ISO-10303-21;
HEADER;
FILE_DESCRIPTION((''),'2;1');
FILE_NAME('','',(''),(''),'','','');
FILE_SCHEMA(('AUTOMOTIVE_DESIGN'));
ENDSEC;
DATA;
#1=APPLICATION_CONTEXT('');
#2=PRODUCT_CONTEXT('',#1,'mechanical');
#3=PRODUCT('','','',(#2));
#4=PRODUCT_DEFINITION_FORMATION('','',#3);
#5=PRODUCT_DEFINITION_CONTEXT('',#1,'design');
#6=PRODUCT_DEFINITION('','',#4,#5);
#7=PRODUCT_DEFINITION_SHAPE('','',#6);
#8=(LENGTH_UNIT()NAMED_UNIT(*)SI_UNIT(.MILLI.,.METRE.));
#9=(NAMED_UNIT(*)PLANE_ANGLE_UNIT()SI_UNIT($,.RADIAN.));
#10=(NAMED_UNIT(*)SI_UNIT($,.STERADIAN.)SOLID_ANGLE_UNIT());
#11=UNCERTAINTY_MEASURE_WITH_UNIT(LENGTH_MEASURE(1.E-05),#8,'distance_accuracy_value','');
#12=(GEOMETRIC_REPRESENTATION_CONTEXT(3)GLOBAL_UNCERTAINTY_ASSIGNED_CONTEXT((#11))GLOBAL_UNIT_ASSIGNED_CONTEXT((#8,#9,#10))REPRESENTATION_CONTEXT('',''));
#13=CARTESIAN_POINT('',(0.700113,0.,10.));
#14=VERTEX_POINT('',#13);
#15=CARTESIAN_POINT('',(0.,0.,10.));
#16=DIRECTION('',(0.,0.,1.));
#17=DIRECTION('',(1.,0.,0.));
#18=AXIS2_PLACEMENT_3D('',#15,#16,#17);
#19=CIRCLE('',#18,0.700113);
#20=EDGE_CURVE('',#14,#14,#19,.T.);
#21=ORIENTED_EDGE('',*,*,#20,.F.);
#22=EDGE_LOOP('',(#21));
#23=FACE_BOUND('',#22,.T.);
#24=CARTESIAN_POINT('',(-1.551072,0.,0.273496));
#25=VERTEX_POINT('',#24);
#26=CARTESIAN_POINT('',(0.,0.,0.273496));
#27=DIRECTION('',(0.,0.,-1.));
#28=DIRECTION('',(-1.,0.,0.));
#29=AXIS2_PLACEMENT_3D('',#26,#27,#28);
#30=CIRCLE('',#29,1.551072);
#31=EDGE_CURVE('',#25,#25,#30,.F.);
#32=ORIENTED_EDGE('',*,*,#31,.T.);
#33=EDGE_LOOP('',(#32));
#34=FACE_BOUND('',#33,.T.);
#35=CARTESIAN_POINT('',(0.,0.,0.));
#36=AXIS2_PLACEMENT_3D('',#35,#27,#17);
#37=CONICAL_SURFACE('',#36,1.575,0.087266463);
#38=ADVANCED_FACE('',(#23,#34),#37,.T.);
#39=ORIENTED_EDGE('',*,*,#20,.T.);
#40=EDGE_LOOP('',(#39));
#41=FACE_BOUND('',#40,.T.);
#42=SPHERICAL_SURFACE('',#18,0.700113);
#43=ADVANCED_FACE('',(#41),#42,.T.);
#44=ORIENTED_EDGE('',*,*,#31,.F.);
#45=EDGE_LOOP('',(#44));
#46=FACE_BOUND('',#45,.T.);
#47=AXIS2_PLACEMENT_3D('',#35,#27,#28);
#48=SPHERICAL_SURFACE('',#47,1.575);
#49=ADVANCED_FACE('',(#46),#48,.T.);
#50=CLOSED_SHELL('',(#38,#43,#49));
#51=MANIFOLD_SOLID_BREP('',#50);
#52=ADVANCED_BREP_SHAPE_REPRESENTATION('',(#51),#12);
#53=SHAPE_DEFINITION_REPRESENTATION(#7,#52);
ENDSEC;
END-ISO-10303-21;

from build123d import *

# Parameters (mm, degrees)
SKETCH2_R           = 1.575
BOSS_EXTRUDE1_DEPTH = 10
BOSS_EXTRUDE1_TAPER = 5


with BuildPart() as part:
    # Sketch1 → Revolve1 (revolve)
    with BuildSketch(Plane.XY):
        with BuildLine():
            Line((0, 1.575), (0, -1.575))
            ThreePointArc((0, -1.575), (1.575, 0), (0, 1.575))
        make_face()
    revolve(axis=Axis((0, 1.575, 0), (0, -1, 0)))

    # Sketch2 → Boss-Extrude1 (add)
    with BuildSketch(Plane.XY):
        Circle(SKETCH2_R)
    extrude(amount=BOSS_EXTRUDE1_DEPTH, taper=BOSS_EXTRUDE1_TAPER)

    # Sketch3 → Revolve2 (revolve)
    with BuildSketch(Plane.XY.offset(10)):
        with BuildLine():
            Line((0, 0.700113365), (0, -0.700113365))
            ThreePointArc((0, -0.700113365), (0.700113365, 0), (0, 0.700113365))
        make_face()
    revolve(axis=Axis((0, 0.700113365, 10), (0, -1, 0)))


solid = part.part
